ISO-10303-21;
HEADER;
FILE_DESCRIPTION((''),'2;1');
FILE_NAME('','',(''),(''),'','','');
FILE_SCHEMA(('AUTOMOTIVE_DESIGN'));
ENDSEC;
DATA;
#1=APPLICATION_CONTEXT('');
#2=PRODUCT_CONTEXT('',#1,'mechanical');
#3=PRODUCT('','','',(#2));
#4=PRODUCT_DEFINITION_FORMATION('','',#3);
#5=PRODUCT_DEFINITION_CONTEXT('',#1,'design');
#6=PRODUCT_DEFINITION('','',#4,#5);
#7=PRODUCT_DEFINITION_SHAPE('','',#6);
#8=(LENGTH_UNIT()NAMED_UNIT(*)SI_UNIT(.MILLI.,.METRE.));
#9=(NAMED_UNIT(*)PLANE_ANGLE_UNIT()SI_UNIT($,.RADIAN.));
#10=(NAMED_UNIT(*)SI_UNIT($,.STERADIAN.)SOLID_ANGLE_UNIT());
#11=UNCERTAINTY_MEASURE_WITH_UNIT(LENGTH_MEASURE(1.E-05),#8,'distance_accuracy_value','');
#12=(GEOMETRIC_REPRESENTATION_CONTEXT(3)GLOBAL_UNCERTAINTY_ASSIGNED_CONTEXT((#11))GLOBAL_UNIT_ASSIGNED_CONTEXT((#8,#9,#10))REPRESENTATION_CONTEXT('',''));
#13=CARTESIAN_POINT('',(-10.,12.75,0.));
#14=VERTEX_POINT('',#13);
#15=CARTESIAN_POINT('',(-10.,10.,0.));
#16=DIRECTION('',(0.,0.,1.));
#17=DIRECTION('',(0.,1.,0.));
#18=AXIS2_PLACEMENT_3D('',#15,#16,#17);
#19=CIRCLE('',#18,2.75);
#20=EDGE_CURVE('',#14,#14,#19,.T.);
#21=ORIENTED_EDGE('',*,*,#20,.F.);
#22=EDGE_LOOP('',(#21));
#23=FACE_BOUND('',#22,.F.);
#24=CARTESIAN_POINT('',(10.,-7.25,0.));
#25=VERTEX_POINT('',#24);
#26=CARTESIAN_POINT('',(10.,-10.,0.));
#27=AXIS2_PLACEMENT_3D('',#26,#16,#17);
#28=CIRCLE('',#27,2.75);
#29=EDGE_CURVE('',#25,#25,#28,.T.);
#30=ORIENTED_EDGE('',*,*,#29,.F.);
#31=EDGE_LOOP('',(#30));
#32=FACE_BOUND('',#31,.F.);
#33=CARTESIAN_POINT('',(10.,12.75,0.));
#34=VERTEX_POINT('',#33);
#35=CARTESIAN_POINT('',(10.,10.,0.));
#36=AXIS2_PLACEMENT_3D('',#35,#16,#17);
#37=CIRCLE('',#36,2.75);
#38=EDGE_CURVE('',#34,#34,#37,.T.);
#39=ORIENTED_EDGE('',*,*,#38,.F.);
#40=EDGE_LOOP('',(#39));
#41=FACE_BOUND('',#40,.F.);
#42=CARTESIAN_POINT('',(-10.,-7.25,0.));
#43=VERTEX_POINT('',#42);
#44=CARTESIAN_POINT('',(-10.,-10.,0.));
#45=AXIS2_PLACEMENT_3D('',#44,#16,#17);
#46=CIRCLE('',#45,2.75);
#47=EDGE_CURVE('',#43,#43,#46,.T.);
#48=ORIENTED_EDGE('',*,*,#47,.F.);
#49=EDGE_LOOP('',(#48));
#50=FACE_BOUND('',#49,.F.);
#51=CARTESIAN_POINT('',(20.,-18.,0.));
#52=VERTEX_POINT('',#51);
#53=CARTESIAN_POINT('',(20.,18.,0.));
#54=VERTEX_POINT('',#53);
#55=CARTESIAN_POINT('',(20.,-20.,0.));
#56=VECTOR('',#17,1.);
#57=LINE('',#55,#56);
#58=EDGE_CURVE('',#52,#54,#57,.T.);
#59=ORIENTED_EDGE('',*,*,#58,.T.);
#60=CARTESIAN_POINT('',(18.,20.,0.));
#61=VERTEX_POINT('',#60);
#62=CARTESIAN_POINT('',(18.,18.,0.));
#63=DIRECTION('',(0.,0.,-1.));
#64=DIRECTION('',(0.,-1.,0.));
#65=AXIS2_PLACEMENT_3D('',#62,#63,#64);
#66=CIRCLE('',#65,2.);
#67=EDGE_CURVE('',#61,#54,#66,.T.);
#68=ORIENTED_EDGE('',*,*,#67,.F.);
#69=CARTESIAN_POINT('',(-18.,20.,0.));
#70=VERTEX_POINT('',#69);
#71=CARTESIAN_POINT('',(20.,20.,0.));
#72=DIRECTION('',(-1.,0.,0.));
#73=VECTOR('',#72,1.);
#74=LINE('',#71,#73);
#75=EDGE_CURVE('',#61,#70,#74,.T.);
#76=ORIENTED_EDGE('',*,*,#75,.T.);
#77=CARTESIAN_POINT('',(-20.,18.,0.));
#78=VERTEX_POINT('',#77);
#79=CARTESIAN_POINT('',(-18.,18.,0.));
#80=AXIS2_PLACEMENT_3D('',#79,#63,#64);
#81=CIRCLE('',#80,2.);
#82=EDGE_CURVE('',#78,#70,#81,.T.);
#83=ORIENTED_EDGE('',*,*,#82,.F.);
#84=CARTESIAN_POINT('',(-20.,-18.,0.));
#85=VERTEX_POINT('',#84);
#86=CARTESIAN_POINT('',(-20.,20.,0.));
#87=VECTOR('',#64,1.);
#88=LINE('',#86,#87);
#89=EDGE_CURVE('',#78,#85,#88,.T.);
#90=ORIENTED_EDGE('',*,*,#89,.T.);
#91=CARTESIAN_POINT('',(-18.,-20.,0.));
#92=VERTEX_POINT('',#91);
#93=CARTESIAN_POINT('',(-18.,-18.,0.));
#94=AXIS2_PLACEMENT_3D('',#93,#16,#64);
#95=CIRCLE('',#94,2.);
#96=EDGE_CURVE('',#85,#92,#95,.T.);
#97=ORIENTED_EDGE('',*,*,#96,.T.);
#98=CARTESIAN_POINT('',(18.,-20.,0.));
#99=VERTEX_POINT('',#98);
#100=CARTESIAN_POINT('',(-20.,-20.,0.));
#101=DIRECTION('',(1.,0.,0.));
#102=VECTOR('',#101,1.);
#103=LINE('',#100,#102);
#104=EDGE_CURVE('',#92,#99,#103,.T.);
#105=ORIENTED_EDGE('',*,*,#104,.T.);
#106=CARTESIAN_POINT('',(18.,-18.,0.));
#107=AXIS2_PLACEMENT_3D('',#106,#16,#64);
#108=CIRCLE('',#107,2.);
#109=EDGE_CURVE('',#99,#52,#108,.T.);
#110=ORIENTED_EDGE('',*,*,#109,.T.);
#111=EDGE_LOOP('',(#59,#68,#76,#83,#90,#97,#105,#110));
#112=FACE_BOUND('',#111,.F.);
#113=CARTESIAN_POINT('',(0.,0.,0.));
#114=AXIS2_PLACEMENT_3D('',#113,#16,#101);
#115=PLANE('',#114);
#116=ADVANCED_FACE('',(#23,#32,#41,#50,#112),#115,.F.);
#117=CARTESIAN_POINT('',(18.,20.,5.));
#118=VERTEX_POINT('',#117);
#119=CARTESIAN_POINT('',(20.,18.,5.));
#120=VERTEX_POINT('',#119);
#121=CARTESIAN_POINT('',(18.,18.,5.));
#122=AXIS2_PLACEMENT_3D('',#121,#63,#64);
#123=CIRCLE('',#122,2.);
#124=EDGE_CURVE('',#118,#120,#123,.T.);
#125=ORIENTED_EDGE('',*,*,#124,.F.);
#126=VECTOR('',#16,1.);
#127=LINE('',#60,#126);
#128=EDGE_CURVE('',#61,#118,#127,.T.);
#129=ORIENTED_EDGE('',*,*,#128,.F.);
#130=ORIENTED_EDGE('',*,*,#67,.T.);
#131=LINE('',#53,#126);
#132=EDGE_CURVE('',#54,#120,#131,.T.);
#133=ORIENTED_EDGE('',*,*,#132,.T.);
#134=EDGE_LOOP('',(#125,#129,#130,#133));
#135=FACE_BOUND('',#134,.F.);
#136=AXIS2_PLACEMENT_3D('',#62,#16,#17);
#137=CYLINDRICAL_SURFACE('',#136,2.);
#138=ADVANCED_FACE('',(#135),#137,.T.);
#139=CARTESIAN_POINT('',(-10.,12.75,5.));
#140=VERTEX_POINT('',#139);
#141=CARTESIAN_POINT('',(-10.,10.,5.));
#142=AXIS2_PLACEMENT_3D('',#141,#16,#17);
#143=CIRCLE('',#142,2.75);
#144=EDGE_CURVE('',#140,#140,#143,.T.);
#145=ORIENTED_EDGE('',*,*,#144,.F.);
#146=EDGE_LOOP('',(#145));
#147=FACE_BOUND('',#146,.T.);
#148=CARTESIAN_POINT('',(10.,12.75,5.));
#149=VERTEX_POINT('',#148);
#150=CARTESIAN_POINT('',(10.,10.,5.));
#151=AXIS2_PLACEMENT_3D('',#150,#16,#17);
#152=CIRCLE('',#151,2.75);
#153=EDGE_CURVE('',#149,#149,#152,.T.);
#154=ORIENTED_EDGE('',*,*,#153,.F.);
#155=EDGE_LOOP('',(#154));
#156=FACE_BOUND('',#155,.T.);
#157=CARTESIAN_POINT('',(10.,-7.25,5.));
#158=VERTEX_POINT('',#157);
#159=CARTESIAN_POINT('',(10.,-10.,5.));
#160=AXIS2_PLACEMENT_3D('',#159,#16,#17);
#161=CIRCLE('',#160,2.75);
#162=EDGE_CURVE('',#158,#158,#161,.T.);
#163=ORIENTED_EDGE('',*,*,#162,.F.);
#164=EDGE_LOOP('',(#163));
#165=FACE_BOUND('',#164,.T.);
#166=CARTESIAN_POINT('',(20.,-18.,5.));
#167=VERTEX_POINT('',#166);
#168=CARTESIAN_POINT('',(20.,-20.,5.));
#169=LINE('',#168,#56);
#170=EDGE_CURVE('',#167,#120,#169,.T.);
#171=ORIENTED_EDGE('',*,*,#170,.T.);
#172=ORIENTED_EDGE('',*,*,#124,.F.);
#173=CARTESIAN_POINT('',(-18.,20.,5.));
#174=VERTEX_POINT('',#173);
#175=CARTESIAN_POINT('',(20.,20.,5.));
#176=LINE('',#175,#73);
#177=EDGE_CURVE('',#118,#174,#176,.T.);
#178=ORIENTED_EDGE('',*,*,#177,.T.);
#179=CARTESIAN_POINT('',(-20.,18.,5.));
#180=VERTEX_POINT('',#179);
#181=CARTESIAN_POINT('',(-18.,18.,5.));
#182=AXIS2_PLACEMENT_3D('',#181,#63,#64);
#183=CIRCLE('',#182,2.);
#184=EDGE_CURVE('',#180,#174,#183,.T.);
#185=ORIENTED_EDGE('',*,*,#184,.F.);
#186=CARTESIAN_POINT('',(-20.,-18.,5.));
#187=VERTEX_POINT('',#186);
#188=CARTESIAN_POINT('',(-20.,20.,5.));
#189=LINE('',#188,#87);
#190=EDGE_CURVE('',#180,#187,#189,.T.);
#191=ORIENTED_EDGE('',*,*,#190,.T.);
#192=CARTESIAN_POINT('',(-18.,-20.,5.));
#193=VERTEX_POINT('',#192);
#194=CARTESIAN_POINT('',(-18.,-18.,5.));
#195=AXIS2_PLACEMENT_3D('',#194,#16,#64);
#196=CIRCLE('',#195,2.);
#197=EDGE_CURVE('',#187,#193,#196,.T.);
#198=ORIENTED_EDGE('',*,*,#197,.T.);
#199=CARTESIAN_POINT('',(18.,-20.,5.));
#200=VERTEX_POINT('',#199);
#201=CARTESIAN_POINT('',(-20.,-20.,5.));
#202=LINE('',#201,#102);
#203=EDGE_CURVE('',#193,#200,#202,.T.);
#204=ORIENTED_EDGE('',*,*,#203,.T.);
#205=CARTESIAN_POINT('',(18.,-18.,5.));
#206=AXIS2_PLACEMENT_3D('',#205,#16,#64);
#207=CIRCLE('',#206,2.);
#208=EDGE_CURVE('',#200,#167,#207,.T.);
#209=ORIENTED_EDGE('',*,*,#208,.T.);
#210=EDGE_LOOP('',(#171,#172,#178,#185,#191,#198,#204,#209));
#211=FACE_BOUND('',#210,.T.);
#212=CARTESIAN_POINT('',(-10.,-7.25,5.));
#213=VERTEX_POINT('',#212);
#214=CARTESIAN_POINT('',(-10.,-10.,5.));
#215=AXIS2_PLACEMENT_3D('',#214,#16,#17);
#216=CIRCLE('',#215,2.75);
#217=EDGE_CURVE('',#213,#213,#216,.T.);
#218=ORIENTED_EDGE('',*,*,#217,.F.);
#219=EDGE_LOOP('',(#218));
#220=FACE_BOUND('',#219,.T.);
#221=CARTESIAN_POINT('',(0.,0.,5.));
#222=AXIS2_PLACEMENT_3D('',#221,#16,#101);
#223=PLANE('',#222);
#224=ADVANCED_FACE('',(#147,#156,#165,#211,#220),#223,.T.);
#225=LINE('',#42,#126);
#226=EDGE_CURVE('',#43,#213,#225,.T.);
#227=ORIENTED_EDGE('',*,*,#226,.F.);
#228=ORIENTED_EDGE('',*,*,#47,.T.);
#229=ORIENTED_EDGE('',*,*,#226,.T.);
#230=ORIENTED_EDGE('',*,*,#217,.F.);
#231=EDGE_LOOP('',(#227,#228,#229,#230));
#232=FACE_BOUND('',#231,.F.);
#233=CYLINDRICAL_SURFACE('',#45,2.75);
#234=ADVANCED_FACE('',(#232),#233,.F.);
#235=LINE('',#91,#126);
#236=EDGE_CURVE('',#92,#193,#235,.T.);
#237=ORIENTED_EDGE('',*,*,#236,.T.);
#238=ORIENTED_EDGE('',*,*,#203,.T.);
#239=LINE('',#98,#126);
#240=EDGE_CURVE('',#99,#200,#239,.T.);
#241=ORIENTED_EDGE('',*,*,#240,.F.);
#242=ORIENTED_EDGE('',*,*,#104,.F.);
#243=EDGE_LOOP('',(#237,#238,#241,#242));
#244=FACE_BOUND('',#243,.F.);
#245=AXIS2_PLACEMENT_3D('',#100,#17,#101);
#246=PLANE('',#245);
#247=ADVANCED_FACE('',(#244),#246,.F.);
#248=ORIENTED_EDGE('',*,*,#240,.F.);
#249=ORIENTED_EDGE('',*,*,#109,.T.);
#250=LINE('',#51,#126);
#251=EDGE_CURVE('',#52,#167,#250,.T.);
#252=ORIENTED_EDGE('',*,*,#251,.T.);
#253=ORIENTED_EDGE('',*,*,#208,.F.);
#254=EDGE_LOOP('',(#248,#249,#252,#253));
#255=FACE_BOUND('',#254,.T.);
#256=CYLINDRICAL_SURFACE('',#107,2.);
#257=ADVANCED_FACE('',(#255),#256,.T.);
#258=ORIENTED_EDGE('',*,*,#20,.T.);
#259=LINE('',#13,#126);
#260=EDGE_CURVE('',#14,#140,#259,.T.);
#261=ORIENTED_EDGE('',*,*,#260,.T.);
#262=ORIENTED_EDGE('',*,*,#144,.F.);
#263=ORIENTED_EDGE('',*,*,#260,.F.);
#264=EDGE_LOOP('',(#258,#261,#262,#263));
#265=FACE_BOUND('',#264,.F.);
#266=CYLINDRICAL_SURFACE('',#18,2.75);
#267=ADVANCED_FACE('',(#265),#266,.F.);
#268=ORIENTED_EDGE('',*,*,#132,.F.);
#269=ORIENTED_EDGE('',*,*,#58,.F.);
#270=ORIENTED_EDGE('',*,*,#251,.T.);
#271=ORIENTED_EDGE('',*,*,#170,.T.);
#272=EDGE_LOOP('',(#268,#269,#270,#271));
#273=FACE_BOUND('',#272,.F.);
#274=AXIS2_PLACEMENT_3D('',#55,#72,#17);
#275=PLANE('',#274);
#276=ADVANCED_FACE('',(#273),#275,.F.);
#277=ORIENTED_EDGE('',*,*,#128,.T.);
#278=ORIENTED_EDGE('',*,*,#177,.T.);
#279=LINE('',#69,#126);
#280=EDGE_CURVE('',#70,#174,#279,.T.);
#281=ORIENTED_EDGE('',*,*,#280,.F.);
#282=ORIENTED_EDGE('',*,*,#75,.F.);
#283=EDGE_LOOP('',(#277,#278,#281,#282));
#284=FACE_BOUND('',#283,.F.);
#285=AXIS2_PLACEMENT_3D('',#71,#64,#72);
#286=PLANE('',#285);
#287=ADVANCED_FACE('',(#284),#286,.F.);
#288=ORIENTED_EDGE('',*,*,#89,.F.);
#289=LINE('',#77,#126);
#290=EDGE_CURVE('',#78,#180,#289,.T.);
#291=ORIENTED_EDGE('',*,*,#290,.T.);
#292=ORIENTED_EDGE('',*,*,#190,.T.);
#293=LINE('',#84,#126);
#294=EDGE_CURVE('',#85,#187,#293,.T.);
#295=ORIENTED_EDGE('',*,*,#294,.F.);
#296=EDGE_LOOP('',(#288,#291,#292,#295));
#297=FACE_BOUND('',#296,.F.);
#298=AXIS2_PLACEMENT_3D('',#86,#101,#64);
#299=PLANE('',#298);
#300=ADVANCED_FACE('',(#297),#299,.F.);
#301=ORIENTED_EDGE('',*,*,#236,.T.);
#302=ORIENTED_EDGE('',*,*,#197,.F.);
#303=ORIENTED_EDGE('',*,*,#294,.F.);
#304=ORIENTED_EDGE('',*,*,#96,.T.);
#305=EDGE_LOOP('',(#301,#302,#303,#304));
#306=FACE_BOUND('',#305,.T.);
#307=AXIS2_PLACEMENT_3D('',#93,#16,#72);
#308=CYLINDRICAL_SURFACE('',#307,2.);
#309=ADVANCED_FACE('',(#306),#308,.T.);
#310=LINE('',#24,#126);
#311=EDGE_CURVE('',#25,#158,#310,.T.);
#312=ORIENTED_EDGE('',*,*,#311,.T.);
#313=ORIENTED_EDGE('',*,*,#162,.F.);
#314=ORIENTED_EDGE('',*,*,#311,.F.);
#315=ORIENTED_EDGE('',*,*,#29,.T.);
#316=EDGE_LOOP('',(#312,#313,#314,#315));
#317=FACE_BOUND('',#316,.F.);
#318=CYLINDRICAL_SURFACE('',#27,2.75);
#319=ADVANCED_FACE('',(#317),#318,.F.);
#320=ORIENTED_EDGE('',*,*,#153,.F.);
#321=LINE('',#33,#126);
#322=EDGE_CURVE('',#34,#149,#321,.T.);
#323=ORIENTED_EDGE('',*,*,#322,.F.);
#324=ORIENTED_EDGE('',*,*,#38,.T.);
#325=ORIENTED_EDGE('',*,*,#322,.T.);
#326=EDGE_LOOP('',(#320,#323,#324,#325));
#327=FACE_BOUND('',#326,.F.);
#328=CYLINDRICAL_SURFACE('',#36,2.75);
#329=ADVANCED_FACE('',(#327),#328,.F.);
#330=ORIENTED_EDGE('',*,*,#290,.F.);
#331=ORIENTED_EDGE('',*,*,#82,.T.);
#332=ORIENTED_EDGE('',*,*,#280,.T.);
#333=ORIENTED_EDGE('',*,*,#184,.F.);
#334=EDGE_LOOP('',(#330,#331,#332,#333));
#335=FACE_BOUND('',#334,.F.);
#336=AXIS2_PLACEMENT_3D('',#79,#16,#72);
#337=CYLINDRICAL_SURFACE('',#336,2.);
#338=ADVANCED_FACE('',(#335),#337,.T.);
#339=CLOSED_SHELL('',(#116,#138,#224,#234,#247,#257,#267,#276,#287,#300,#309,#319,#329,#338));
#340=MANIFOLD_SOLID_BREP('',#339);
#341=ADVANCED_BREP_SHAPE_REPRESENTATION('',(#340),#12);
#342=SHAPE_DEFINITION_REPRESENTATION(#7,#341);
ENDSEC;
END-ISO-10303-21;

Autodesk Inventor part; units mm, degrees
ref_plane "YZ Plane" through (0, 0, 0) normal (1, 0, 0) x (0, 1, 0)
ref_plane "XZ Plane" through (0, 0, 0) normal (0, 1, 0) x (-1, 0, 0)
ref_plane "XY Plane" through (0, 0, 0) normal (0, 0, 1) x (1, 0, 0)
sketch "Sketch2" plane through (0, 0, 0) normal (0, 0, 1) x (1, 0, 0)
  line L0 (-20, -20) -> (20, -20)
  line L1 (20, -20) -> (20, 20)
  line L2 (20, 20) -> (-20, 20)
  line L3 (-20, 20) -> (-20, -20)
  line L4 (-20, -20) -> (20, 20) construction
  line L5 (20, -20) -> (-20, 20) construction
  line L6 (-10, -10) -> (10, -10) construction
  line L7 (10, -10) -> (10, 10) construction
  line L8 (10, 10) -> (-10, 10) construction
  line L9 (-10, 10) -> (-10, -10) construction
  line L10 (-10, -10) -> (10, 10) construction
  line L11 (10, -10) -> (-10, 10) construction
  point P0 (0, 0)
  dimension "d0" = 40
  dimension "d1" = 40
  dimension "d2" = 20
  dimension "d3" = 20
extrude "Extrusion1" add sketch "Sketch2" along normal blind 5
hole "Hole1" at (-10, 10, 0) at (10, 10, 0) at (10, -10, 0) at (-10, -10, 0) direction (0, 0, 1) diameter 5.5 end through all clearance for "Flat Head Machine Screw" size "M5" standard "Ansi Metric M Profile"
fillet "Fillet1" radius 2 4 edges at (20, 20, 2.5) (-20, 20, 2.5) (-20, -20, 2.5) (20, -20, 2.5)
properties part number "4040Square"
